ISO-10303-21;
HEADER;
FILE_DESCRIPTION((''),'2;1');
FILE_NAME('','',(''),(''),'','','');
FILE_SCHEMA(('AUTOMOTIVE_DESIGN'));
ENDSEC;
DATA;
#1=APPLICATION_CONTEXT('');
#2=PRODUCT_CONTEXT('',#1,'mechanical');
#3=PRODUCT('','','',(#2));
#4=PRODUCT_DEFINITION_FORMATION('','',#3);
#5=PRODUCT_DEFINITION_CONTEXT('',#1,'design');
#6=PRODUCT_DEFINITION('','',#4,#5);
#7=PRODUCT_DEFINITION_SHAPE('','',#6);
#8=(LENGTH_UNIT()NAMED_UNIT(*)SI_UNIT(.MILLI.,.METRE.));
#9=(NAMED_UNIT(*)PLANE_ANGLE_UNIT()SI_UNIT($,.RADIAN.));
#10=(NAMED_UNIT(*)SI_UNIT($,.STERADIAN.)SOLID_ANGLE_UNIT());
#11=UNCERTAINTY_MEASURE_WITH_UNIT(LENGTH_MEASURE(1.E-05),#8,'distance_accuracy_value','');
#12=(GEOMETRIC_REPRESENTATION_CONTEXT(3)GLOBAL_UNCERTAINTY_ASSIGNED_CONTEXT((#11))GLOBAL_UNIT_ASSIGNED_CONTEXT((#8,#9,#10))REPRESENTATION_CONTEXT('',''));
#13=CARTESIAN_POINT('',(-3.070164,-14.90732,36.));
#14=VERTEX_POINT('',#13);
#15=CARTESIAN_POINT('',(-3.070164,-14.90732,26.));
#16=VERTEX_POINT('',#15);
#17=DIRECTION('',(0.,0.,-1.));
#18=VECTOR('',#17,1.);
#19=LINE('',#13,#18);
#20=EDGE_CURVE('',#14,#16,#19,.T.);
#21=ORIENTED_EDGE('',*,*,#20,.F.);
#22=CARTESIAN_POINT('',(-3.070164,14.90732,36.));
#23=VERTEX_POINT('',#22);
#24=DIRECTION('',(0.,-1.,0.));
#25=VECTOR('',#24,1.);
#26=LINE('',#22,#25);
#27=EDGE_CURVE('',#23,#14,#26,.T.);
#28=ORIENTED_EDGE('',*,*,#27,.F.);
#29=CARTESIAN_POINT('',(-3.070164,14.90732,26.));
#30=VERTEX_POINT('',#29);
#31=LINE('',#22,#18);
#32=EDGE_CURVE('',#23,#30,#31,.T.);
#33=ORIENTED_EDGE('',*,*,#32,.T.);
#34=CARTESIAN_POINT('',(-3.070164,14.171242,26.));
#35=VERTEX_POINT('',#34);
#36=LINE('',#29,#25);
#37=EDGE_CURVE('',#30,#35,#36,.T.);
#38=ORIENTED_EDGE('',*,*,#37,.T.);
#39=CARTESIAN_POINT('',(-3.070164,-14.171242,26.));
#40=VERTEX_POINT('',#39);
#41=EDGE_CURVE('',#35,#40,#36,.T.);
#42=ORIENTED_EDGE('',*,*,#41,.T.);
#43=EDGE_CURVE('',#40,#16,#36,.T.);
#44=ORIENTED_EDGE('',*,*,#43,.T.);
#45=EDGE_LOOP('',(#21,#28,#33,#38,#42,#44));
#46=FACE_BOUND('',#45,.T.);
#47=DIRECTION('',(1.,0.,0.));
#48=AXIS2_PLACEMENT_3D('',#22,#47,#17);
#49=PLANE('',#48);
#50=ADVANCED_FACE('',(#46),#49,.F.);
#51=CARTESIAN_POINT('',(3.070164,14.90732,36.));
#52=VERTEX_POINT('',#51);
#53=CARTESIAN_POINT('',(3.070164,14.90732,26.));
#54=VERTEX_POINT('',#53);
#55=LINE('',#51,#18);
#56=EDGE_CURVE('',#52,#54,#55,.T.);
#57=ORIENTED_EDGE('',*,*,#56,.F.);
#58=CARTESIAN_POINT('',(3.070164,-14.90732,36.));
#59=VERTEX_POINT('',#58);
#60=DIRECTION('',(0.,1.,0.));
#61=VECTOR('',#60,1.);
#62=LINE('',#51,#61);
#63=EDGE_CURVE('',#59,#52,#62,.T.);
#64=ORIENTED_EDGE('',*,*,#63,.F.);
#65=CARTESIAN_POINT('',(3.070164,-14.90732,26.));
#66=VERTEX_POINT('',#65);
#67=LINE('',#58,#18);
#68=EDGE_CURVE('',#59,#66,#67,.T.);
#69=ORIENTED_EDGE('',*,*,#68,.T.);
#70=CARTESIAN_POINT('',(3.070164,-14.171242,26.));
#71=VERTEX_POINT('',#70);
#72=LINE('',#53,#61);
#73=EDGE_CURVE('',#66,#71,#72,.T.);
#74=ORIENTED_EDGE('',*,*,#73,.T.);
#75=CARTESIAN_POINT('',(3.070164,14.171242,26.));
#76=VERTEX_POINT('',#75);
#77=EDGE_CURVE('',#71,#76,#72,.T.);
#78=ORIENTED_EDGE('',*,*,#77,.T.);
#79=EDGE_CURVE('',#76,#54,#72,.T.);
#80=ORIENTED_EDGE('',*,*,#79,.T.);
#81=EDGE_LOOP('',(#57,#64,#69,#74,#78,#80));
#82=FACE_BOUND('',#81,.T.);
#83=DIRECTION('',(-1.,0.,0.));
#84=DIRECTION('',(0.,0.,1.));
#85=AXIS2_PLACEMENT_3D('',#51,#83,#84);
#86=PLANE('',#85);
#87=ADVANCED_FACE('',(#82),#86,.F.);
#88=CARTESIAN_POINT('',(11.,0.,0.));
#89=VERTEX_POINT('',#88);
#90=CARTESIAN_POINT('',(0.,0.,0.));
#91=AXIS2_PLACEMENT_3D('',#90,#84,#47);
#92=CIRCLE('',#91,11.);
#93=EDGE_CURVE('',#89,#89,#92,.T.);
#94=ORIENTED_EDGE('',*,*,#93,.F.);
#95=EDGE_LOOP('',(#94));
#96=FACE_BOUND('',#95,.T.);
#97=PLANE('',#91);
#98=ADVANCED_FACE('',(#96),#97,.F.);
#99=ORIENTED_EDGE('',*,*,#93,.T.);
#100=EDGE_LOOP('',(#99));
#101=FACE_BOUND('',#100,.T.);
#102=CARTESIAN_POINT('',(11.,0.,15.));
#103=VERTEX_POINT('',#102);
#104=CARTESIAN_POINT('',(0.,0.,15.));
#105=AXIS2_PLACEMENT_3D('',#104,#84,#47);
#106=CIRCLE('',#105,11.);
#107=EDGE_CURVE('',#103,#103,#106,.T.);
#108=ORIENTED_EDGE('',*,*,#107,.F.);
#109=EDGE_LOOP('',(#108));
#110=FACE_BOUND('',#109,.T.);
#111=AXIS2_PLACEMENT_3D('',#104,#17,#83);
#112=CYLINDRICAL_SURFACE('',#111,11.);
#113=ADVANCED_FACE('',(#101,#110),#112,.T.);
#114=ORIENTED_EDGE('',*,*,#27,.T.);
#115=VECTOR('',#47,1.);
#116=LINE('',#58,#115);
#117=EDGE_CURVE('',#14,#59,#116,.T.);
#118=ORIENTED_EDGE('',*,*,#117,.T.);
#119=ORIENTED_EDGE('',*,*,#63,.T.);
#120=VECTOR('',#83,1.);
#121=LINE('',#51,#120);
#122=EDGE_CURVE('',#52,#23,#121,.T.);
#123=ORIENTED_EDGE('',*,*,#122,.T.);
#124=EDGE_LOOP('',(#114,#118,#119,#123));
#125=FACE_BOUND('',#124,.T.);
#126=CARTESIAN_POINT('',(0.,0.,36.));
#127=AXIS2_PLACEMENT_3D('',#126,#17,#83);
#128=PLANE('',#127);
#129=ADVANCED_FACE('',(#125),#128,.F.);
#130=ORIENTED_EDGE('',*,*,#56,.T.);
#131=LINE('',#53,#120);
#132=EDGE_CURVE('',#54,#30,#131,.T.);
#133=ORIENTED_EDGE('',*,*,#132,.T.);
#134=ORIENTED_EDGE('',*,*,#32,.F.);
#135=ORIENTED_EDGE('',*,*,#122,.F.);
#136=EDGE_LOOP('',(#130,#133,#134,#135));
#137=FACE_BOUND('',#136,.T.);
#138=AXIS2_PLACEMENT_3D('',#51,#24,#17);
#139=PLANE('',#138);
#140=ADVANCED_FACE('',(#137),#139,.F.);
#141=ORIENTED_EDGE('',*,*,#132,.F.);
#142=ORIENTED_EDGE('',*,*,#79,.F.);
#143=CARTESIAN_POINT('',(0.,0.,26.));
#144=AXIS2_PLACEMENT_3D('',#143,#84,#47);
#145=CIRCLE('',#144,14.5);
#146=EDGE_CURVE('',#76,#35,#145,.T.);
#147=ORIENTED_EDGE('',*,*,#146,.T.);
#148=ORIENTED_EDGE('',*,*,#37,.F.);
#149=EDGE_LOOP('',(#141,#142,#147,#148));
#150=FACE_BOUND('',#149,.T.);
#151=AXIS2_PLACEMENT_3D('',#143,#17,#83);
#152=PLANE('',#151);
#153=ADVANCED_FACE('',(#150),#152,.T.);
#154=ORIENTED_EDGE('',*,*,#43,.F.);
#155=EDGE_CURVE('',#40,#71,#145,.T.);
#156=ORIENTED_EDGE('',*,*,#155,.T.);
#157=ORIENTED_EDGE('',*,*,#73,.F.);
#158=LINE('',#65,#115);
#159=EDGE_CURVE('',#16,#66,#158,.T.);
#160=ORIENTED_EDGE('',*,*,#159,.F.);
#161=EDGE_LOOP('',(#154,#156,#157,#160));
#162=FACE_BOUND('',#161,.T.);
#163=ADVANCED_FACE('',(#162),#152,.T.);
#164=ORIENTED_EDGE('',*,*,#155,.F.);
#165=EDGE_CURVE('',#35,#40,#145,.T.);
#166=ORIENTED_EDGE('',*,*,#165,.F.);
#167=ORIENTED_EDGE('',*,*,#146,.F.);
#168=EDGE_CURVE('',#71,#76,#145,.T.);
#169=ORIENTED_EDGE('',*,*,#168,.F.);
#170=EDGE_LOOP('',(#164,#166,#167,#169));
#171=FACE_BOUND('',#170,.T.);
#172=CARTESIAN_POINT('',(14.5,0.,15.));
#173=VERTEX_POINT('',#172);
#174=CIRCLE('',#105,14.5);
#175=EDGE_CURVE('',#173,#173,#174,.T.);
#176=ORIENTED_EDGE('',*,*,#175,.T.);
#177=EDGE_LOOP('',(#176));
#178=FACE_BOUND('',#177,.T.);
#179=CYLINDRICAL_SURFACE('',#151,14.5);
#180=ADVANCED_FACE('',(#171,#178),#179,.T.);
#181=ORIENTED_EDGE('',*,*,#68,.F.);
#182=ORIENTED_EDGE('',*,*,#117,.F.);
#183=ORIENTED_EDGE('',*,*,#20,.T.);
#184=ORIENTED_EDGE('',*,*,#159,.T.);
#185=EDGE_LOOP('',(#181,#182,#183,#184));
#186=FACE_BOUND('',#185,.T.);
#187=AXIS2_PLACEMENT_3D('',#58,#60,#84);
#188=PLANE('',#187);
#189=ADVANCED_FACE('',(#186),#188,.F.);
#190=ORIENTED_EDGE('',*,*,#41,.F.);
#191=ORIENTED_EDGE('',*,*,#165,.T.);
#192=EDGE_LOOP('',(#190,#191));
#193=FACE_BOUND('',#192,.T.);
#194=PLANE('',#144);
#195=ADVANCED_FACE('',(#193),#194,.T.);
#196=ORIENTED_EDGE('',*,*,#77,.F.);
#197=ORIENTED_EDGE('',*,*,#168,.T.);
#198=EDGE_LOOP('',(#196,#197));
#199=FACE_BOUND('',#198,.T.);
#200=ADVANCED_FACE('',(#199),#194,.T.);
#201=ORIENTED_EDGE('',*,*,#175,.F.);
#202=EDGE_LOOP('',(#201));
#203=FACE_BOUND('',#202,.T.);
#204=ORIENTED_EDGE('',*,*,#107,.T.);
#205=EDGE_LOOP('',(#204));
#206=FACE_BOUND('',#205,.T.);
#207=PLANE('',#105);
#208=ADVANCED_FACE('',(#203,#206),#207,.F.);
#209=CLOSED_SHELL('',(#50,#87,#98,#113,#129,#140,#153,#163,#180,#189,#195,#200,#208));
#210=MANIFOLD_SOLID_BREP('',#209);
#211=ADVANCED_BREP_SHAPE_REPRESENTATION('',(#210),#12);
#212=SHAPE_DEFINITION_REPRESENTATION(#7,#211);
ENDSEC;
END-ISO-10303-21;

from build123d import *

# Parameters (mm, degrees)
SKETCH_1_R      = 11
EXTRUDE_1_DEPTH = 15
SKETCH_2_R      = 14.5
EXTRUDE_2_DEPTH = 11
SKETCH_3_W      = 6.140328376
SKETCH_3_H      = 29.814639278
EXTRUDE_3_DEPTH = 10


with BuildPart() as part:
    # 草图1 → 凸台-拉伸1 (new body)
    with BuildSketch(Plane.XY):
        Circle(SKETCH_1_R)
    extrude(amount=EXTRUDE_1_DEPTH)

    # 草图2 → 凸台-拉伸2 (add)
    with BuildSketch(Plane.XY.offset(15)):
        Circle(SKETCH_2_R)
    extrude(amount=EXTRUDE_2_DEPTH)

    # 草图3 → 凸台-拉伸3 (add)
    with BuildSketch(Plane.XY.offset(26)):
        Rectangle(SKETCH_3_W, SKETCH_3_H)
    extrude(amount=EXTRUDE_3_DEPTH)


solid = part.part
